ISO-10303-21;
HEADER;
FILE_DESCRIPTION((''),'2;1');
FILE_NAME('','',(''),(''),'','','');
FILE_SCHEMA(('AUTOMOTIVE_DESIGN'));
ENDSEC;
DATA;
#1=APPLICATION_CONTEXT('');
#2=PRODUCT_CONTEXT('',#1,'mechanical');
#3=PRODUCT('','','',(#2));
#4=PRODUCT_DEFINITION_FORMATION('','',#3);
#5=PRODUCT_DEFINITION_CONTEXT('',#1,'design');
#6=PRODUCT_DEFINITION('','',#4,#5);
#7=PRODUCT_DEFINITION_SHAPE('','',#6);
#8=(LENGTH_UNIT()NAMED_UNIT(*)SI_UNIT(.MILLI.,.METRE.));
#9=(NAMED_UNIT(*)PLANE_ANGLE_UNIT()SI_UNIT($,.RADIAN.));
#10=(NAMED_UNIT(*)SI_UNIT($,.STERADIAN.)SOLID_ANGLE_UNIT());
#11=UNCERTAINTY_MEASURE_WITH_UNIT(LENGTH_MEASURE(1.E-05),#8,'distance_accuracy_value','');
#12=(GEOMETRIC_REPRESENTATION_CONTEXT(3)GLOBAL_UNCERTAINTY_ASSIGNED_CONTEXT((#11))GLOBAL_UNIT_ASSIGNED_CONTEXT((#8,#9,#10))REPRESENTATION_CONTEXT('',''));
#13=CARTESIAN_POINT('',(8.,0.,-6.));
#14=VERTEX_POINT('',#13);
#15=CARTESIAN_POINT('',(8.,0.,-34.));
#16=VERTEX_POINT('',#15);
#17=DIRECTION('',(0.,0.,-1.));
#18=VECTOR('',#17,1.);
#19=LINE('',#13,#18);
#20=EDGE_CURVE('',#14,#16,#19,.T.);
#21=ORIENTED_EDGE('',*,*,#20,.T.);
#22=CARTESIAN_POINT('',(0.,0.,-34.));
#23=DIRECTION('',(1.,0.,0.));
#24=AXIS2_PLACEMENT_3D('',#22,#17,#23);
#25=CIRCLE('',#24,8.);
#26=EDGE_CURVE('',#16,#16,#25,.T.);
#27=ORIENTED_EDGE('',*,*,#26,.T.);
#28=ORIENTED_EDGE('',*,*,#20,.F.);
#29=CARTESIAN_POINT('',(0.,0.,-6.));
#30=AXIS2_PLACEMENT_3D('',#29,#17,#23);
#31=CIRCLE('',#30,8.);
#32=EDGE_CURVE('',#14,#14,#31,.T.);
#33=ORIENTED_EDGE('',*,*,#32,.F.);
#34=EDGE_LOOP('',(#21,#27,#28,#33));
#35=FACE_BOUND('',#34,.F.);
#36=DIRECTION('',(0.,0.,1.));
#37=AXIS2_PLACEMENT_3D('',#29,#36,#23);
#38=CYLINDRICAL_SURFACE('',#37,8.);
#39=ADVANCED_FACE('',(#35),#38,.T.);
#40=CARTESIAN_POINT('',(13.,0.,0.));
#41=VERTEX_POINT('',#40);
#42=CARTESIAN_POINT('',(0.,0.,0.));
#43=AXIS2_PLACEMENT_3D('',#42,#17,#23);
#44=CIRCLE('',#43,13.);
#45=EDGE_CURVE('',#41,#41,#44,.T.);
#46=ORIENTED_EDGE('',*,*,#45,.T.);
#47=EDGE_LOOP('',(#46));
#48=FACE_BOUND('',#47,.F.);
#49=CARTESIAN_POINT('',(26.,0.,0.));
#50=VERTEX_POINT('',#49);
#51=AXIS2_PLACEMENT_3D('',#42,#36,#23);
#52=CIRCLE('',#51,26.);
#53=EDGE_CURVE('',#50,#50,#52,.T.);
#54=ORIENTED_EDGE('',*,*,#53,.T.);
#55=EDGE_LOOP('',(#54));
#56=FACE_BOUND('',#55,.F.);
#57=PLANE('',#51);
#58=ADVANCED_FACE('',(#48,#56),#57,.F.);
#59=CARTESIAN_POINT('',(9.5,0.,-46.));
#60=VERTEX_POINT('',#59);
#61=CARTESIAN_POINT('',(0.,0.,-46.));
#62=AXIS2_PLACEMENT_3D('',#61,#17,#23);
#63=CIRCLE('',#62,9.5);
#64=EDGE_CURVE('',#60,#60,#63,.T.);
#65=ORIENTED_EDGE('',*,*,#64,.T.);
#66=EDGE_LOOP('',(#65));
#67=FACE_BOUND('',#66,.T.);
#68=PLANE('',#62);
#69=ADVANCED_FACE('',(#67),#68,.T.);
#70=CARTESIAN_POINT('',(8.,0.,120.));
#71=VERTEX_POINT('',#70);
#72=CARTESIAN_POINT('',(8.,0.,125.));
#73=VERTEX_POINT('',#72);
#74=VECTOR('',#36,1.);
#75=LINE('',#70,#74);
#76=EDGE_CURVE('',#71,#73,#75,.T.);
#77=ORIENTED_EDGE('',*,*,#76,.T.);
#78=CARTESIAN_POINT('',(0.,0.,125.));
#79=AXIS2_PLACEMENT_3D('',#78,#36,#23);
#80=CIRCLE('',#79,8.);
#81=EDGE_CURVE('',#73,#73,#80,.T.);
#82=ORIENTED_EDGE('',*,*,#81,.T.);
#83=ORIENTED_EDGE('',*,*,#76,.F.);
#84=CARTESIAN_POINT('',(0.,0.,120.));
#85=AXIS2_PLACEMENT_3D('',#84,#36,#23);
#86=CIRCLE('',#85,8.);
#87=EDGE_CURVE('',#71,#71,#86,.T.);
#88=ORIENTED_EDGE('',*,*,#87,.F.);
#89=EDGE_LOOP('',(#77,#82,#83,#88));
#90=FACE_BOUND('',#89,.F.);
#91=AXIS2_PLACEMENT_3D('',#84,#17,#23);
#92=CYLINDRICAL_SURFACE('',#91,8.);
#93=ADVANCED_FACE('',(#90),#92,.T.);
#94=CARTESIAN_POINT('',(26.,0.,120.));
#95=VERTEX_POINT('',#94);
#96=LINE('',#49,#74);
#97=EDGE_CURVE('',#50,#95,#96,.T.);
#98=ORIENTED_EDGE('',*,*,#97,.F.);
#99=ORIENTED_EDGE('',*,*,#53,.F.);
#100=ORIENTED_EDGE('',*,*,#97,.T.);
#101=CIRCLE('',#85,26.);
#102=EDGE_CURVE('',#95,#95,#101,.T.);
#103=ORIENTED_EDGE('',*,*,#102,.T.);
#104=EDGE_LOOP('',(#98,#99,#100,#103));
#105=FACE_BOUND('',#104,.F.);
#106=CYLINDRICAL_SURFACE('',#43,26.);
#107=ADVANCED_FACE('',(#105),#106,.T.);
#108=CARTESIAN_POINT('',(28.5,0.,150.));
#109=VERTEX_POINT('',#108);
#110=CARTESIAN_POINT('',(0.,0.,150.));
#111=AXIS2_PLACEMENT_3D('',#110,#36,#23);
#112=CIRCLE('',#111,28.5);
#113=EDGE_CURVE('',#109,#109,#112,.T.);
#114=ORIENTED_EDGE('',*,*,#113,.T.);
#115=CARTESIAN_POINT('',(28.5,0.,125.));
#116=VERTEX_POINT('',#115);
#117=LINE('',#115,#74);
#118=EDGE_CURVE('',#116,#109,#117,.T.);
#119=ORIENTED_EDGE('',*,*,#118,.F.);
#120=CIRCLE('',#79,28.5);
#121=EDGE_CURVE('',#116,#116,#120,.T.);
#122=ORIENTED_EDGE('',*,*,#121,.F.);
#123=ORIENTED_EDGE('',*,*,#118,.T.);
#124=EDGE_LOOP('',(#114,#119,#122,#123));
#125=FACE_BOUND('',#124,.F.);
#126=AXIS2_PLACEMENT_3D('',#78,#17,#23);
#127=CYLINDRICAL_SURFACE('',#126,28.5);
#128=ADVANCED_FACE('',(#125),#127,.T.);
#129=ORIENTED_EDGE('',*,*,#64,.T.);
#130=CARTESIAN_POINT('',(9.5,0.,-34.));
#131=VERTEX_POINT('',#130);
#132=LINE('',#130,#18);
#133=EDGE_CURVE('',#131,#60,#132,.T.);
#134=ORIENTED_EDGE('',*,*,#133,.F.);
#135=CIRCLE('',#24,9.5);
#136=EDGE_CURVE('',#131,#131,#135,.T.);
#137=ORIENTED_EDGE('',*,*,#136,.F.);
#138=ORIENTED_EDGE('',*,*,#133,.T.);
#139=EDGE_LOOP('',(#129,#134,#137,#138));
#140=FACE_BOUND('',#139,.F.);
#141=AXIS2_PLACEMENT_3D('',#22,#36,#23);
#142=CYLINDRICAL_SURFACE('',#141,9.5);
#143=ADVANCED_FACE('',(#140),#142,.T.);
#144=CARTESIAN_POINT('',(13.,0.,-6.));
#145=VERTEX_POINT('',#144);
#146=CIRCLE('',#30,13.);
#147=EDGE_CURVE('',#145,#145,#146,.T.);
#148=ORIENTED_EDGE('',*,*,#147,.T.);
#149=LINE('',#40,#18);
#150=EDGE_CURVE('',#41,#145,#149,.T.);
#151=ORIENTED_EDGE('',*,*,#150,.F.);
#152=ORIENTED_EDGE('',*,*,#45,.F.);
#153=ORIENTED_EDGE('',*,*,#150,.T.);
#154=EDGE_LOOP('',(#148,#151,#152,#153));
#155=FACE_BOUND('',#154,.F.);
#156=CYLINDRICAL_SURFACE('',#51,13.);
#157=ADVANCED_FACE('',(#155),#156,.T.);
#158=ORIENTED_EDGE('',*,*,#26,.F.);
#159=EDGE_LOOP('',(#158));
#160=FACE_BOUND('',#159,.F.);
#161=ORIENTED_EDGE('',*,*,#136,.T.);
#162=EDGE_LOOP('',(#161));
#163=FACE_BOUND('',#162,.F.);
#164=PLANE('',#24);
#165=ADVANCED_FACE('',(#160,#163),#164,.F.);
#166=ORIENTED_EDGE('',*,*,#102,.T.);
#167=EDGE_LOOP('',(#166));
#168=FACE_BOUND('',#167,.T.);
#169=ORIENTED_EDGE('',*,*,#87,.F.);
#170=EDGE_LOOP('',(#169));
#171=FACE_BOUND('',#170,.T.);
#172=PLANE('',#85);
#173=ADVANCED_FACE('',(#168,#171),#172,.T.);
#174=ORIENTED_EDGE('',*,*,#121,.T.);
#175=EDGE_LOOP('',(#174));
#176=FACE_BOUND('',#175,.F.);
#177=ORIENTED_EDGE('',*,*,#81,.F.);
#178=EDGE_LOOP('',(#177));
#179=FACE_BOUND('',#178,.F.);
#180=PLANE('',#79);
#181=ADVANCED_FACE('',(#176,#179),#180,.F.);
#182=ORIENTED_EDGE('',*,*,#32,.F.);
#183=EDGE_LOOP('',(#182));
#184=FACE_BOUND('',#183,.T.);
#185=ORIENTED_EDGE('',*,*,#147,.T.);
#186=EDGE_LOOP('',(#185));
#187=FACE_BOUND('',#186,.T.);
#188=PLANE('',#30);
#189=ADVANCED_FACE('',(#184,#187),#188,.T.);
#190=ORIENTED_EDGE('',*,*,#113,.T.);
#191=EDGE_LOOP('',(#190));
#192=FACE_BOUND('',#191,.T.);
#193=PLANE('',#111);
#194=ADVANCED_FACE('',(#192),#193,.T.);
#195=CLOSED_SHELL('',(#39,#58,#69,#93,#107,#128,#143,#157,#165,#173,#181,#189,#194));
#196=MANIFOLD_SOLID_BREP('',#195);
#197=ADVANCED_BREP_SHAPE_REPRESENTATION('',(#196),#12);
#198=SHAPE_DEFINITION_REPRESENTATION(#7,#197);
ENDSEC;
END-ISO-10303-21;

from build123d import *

# Parameters (mm, degrees)
SKETCH_R     = 26
PAD_DEPTH    = 120
SKETCH001_R  = 8
PAD001_DEPTH = 5
SKETCH002_R  = 28.5
PAD002_DEPTH = 25
SKETCH003_R  = 13
PAD003_DEPTH = 6
SKETCH004_R  = 8
PAD004_DEPTH = 28
SKETCH005_R  = 9.5
PAD005_DEPTH = 12


with BuildPart() as part:
    # Sketch → Pad (new body)
    with BuildSketch(Plane.XY):
        Circle(SKETCH_R)
    extrude(amount=PAD_DEPTH)

    # Sketch001 (on Face3 of Pad) → Pad001 (join)
    with BuildSketch(Plane.XY.offset(120)):
        Circle(SKETCH001_R)
    extrude(amount=PAD001_DEPTH)

    # Sketch002 (on Face5 of Pad001) → Pad002 (join)
    with BuildSketch(Plane.XY.offset(125)):
        Circle(SKETCH002_R)
    extrude(amount=PAD002_DEPTH)

    # Sketch003 (on Face7 of Pad002) → Pad003 (join)
    with BuildSketch(Plane(origin=(0, 0, 0), x_dir=(1, 0, 0), z_dir=(0, 0, -1))):
        Circle(SKETCH003_R)
    extrude(amount=PAD003_DEPTH)

    # Sketch004 (on Face9 of Pad003) → Pad004 (join)
    with BuildSketch(Plane(origin=(0, 0, -6), x_dir=(1, 0, 0), z_dir=(0, 0, -1))):
        Circle(SKETCH004_R)
    extrude(amount=PAD004_DEPTH)

    # Sketch005 (on Face11 of Pad004) → Pad005 (join)
    with BuildSketch(Plane(origin=(0, 0, -34), x_dir=(1, 0, 0), z_dir=(0, 0, -1))):
        Circle(SKETCH005_R)
    extrude(amount=PAD005_DEPTH)


solid = part.part
